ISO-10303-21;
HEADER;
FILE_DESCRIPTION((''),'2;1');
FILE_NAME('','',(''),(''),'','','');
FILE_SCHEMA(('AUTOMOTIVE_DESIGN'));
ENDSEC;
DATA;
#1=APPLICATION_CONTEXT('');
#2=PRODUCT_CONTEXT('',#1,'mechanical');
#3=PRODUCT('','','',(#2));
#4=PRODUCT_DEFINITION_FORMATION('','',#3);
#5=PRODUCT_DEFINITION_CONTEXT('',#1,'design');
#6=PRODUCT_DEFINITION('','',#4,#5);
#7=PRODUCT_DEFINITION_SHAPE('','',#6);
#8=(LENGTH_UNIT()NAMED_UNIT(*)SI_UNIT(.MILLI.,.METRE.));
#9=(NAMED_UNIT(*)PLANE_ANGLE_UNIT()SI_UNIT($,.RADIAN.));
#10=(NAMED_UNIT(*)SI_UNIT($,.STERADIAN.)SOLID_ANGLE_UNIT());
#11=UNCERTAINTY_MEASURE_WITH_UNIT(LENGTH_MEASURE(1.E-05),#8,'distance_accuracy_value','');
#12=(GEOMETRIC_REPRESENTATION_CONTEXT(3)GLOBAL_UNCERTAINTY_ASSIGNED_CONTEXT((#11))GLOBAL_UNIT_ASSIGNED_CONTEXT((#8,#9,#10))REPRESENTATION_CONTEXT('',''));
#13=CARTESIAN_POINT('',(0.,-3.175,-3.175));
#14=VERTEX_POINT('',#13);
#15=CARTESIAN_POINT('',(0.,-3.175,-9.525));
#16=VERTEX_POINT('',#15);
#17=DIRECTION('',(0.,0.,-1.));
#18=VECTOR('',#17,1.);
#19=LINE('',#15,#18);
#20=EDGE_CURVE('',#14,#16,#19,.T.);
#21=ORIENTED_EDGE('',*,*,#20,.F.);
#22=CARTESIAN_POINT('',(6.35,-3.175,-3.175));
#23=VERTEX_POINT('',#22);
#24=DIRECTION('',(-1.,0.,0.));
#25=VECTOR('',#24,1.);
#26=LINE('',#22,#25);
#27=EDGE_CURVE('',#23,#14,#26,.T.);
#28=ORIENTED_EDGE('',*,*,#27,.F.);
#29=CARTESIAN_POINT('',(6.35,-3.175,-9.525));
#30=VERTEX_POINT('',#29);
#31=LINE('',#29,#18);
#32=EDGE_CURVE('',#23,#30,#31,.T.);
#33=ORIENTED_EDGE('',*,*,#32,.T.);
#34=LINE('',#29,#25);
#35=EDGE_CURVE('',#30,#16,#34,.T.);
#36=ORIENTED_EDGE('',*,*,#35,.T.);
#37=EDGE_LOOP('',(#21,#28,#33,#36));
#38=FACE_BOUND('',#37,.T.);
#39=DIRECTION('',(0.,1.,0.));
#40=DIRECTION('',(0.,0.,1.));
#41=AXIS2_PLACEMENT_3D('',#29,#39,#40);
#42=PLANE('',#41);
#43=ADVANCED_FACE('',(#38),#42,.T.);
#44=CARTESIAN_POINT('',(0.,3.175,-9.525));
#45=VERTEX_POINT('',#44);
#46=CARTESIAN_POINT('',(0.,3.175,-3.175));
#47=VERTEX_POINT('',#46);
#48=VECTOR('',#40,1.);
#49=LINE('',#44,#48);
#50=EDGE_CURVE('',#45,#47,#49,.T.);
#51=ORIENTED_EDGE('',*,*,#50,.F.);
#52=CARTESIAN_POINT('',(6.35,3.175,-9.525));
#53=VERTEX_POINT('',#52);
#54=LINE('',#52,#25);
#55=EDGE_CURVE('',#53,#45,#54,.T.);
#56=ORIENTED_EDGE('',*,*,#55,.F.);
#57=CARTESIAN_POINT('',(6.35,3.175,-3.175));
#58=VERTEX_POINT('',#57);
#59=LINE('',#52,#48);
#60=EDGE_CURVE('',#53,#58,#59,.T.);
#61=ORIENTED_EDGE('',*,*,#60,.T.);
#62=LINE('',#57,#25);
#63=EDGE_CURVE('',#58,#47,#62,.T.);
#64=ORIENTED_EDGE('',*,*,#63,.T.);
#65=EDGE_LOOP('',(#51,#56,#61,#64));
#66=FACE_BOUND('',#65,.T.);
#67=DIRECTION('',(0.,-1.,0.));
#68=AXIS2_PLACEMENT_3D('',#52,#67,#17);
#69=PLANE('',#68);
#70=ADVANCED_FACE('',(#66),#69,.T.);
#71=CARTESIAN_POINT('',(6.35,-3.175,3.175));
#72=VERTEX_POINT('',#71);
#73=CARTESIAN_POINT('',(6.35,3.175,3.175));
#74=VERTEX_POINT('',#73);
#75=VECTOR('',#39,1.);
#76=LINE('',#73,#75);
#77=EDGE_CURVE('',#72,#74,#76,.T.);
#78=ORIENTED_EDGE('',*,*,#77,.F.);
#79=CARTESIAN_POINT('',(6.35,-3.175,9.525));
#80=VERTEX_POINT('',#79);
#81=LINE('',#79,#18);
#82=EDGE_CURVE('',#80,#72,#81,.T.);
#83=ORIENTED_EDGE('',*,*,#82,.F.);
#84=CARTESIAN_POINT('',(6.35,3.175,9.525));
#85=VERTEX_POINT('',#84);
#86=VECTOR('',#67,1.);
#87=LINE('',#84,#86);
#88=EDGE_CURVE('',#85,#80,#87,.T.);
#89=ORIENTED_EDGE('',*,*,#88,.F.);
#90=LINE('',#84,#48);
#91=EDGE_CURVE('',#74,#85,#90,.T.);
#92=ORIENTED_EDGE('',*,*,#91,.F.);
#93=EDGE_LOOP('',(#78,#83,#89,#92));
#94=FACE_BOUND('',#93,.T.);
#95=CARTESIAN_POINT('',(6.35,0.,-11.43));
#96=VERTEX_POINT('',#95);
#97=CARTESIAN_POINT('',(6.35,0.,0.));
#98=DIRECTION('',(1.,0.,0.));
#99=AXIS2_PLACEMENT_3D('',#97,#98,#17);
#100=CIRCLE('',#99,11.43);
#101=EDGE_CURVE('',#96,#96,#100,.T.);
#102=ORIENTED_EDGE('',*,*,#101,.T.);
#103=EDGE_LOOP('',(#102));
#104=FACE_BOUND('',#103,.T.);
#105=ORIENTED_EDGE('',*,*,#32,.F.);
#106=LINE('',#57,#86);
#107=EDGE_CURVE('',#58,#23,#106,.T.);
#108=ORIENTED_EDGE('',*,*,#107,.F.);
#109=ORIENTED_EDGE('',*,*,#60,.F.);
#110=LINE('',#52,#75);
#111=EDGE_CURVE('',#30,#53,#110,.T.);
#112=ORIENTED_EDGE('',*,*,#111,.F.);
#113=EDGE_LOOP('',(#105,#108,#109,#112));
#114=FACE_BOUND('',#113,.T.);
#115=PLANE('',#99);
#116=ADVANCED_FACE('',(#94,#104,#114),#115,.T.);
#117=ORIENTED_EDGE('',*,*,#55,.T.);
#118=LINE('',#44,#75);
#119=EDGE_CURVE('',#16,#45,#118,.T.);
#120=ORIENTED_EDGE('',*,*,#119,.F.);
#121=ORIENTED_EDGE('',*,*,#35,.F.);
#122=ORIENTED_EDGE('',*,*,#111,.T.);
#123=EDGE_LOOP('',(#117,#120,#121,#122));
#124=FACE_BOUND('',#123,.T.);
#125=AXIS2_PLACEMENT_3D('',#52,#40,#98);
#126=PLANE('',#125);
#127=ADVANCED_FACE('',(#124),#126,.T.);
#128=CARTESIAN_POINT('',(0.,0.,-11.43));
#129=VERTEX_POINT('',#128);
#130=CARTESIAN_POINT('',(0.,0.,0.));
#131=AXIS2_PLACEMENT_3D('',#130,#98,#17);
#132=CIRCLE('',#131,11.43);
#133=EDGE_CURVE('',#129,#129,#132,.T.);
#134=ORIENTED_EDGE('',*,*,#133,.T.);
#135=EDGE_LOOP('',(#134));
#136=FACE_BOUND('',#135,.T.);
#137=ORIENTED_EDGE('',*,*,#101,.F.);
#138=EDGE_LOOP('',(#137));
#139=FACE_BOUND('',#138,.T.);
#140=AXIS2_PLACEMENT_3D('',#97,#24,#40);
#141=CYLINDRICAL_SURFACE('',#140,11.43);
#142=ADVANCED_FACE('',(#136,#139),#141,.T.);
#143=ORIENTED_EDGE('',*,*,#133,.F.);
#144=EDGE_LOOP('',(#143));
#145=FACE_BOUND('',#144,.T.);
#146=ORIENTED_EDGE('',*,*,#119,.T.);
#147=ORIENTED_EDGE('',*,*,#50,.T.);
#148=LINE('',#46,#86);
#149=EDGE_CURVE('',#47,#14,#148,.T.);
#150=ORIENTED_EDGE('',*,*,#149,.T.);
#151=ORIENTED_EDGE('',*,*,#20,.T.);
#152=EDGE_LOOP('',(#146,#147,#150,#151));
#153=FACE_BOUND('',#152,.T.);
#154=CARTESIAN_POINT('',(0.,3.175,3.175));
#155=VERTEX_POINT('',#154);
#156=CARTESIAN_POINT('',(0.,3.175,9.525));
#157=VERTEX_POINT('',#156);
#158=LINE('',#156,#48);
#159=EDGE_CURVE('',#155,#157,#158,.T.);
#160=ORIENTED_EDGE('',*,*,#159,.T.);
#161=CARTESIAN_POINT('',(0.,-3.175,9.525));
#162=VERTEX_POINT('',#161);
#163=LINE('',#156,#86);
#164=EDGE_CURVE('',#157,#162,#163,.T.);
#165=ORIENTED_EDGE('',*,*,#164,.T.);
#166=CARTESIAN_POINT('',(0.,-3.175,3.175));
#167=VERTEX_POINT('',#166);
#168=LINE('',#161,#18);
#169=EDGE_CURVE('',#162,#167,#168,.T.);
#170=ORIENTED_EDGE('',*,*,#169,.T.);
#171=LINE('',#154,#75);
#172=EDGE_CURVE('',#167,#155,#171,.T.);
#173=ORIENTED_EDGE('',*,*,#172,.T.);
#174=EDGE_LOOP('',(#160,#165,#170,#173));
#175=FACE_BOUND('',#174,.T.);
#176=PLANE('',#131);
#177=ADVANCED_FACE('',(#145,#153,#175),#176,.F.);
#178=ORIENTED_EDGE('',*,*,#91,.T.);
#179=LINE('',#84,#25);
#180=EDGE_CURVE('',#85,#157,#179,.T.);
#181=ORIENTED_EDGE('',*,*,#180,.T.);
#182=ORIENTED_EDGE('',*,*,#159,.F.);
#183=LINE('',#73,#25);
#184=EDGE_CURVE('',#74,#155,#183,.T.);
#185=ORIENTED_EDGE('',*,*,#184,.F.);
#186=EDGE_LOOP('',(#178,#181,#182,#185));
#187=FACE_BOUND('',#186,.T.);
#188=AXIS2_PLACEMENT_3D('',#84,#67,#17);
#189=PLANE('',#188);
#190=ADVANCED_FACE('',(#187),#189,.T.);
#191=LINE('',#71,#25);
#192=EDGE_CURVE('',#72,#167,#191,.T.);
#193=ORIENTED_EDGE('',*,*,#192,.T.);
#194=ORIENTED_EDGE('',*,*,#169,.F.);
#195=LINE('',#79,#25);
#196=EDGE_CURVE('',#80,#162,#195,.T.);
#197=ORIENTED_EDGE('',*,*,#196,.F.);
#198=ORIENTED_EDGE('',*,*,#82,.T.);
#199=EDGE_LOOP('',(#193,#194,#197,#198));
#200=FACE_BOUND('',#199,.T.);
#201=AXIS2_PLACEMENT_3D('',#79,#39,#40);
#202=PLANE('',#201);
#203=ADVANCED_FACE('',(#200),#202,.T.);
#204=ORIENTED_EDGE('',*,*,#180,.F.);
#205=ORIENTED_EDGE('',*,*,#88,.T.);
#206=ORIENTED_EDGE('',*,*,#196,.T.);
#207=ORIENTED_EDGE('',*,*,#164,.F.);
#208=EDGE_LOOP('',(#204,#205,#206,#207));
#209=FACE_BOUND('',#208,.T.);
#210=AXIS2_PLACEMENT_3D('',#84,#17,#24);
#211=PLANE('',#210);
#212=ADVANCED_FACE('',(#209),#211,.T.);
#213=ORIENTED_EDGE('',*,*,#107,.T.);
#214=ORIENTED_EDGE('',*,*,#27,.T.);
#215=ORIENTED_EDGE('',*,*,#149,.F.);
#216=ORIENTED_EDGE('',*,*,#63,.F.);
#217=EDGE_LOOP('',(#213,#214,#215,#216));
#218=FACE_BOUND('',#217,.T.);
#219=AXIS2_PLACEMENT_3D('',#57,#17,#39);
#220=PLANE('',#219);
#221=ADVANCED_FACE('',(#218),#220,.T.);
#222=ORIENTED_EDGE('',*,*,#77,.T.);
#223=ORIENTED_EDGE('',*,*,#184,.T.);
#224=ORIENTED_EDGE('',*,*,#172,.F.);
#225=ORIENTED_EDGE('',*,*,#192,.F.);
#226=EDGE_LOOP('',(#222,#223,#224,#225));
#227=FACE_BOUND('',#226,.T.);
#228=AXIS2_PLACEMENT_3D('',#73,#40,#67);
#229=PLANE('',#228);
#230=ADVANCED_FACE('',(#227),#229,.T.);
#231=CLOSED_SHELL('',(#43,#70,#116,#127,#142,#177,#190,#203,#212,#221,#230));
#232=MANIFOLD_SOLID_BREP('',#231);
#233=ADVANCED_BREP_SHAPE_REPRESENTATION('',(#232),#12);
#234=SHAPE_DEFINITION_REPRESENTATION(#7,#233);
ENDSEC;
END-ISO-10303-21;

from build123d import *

# Parameters (mm, degrees)
SKETCH1_R           = 11.43
SKETCH1_W           = 6.35
SKETCH1_H           = 6.35
BOSS_EXTRUDE1_DEPTH = 6.35


with BuildPart() as part:
    # Sketch1 → Boss-Extrude1 (new body)
    with BuildSketch(Plane(origin=(0, 0, 0), x_dir=(0, 0, -1), z_dir=(1, 0, 0))):
        Circle(SKETCH1_R)
        with Locations((-6.35, 0)):
            Rectangle(SKETCH1_W, SKETCH1_H, mode=Mode.SUBTRACT)
        with Locations((6.35, 0)):
            Rectangle(SKETCH1_W, SKETCH1_H, mode=Mode.SUBTRACT)
    extrude(amount=BOSS_EXTRUDE1_DEPTH)


solid = part.part
